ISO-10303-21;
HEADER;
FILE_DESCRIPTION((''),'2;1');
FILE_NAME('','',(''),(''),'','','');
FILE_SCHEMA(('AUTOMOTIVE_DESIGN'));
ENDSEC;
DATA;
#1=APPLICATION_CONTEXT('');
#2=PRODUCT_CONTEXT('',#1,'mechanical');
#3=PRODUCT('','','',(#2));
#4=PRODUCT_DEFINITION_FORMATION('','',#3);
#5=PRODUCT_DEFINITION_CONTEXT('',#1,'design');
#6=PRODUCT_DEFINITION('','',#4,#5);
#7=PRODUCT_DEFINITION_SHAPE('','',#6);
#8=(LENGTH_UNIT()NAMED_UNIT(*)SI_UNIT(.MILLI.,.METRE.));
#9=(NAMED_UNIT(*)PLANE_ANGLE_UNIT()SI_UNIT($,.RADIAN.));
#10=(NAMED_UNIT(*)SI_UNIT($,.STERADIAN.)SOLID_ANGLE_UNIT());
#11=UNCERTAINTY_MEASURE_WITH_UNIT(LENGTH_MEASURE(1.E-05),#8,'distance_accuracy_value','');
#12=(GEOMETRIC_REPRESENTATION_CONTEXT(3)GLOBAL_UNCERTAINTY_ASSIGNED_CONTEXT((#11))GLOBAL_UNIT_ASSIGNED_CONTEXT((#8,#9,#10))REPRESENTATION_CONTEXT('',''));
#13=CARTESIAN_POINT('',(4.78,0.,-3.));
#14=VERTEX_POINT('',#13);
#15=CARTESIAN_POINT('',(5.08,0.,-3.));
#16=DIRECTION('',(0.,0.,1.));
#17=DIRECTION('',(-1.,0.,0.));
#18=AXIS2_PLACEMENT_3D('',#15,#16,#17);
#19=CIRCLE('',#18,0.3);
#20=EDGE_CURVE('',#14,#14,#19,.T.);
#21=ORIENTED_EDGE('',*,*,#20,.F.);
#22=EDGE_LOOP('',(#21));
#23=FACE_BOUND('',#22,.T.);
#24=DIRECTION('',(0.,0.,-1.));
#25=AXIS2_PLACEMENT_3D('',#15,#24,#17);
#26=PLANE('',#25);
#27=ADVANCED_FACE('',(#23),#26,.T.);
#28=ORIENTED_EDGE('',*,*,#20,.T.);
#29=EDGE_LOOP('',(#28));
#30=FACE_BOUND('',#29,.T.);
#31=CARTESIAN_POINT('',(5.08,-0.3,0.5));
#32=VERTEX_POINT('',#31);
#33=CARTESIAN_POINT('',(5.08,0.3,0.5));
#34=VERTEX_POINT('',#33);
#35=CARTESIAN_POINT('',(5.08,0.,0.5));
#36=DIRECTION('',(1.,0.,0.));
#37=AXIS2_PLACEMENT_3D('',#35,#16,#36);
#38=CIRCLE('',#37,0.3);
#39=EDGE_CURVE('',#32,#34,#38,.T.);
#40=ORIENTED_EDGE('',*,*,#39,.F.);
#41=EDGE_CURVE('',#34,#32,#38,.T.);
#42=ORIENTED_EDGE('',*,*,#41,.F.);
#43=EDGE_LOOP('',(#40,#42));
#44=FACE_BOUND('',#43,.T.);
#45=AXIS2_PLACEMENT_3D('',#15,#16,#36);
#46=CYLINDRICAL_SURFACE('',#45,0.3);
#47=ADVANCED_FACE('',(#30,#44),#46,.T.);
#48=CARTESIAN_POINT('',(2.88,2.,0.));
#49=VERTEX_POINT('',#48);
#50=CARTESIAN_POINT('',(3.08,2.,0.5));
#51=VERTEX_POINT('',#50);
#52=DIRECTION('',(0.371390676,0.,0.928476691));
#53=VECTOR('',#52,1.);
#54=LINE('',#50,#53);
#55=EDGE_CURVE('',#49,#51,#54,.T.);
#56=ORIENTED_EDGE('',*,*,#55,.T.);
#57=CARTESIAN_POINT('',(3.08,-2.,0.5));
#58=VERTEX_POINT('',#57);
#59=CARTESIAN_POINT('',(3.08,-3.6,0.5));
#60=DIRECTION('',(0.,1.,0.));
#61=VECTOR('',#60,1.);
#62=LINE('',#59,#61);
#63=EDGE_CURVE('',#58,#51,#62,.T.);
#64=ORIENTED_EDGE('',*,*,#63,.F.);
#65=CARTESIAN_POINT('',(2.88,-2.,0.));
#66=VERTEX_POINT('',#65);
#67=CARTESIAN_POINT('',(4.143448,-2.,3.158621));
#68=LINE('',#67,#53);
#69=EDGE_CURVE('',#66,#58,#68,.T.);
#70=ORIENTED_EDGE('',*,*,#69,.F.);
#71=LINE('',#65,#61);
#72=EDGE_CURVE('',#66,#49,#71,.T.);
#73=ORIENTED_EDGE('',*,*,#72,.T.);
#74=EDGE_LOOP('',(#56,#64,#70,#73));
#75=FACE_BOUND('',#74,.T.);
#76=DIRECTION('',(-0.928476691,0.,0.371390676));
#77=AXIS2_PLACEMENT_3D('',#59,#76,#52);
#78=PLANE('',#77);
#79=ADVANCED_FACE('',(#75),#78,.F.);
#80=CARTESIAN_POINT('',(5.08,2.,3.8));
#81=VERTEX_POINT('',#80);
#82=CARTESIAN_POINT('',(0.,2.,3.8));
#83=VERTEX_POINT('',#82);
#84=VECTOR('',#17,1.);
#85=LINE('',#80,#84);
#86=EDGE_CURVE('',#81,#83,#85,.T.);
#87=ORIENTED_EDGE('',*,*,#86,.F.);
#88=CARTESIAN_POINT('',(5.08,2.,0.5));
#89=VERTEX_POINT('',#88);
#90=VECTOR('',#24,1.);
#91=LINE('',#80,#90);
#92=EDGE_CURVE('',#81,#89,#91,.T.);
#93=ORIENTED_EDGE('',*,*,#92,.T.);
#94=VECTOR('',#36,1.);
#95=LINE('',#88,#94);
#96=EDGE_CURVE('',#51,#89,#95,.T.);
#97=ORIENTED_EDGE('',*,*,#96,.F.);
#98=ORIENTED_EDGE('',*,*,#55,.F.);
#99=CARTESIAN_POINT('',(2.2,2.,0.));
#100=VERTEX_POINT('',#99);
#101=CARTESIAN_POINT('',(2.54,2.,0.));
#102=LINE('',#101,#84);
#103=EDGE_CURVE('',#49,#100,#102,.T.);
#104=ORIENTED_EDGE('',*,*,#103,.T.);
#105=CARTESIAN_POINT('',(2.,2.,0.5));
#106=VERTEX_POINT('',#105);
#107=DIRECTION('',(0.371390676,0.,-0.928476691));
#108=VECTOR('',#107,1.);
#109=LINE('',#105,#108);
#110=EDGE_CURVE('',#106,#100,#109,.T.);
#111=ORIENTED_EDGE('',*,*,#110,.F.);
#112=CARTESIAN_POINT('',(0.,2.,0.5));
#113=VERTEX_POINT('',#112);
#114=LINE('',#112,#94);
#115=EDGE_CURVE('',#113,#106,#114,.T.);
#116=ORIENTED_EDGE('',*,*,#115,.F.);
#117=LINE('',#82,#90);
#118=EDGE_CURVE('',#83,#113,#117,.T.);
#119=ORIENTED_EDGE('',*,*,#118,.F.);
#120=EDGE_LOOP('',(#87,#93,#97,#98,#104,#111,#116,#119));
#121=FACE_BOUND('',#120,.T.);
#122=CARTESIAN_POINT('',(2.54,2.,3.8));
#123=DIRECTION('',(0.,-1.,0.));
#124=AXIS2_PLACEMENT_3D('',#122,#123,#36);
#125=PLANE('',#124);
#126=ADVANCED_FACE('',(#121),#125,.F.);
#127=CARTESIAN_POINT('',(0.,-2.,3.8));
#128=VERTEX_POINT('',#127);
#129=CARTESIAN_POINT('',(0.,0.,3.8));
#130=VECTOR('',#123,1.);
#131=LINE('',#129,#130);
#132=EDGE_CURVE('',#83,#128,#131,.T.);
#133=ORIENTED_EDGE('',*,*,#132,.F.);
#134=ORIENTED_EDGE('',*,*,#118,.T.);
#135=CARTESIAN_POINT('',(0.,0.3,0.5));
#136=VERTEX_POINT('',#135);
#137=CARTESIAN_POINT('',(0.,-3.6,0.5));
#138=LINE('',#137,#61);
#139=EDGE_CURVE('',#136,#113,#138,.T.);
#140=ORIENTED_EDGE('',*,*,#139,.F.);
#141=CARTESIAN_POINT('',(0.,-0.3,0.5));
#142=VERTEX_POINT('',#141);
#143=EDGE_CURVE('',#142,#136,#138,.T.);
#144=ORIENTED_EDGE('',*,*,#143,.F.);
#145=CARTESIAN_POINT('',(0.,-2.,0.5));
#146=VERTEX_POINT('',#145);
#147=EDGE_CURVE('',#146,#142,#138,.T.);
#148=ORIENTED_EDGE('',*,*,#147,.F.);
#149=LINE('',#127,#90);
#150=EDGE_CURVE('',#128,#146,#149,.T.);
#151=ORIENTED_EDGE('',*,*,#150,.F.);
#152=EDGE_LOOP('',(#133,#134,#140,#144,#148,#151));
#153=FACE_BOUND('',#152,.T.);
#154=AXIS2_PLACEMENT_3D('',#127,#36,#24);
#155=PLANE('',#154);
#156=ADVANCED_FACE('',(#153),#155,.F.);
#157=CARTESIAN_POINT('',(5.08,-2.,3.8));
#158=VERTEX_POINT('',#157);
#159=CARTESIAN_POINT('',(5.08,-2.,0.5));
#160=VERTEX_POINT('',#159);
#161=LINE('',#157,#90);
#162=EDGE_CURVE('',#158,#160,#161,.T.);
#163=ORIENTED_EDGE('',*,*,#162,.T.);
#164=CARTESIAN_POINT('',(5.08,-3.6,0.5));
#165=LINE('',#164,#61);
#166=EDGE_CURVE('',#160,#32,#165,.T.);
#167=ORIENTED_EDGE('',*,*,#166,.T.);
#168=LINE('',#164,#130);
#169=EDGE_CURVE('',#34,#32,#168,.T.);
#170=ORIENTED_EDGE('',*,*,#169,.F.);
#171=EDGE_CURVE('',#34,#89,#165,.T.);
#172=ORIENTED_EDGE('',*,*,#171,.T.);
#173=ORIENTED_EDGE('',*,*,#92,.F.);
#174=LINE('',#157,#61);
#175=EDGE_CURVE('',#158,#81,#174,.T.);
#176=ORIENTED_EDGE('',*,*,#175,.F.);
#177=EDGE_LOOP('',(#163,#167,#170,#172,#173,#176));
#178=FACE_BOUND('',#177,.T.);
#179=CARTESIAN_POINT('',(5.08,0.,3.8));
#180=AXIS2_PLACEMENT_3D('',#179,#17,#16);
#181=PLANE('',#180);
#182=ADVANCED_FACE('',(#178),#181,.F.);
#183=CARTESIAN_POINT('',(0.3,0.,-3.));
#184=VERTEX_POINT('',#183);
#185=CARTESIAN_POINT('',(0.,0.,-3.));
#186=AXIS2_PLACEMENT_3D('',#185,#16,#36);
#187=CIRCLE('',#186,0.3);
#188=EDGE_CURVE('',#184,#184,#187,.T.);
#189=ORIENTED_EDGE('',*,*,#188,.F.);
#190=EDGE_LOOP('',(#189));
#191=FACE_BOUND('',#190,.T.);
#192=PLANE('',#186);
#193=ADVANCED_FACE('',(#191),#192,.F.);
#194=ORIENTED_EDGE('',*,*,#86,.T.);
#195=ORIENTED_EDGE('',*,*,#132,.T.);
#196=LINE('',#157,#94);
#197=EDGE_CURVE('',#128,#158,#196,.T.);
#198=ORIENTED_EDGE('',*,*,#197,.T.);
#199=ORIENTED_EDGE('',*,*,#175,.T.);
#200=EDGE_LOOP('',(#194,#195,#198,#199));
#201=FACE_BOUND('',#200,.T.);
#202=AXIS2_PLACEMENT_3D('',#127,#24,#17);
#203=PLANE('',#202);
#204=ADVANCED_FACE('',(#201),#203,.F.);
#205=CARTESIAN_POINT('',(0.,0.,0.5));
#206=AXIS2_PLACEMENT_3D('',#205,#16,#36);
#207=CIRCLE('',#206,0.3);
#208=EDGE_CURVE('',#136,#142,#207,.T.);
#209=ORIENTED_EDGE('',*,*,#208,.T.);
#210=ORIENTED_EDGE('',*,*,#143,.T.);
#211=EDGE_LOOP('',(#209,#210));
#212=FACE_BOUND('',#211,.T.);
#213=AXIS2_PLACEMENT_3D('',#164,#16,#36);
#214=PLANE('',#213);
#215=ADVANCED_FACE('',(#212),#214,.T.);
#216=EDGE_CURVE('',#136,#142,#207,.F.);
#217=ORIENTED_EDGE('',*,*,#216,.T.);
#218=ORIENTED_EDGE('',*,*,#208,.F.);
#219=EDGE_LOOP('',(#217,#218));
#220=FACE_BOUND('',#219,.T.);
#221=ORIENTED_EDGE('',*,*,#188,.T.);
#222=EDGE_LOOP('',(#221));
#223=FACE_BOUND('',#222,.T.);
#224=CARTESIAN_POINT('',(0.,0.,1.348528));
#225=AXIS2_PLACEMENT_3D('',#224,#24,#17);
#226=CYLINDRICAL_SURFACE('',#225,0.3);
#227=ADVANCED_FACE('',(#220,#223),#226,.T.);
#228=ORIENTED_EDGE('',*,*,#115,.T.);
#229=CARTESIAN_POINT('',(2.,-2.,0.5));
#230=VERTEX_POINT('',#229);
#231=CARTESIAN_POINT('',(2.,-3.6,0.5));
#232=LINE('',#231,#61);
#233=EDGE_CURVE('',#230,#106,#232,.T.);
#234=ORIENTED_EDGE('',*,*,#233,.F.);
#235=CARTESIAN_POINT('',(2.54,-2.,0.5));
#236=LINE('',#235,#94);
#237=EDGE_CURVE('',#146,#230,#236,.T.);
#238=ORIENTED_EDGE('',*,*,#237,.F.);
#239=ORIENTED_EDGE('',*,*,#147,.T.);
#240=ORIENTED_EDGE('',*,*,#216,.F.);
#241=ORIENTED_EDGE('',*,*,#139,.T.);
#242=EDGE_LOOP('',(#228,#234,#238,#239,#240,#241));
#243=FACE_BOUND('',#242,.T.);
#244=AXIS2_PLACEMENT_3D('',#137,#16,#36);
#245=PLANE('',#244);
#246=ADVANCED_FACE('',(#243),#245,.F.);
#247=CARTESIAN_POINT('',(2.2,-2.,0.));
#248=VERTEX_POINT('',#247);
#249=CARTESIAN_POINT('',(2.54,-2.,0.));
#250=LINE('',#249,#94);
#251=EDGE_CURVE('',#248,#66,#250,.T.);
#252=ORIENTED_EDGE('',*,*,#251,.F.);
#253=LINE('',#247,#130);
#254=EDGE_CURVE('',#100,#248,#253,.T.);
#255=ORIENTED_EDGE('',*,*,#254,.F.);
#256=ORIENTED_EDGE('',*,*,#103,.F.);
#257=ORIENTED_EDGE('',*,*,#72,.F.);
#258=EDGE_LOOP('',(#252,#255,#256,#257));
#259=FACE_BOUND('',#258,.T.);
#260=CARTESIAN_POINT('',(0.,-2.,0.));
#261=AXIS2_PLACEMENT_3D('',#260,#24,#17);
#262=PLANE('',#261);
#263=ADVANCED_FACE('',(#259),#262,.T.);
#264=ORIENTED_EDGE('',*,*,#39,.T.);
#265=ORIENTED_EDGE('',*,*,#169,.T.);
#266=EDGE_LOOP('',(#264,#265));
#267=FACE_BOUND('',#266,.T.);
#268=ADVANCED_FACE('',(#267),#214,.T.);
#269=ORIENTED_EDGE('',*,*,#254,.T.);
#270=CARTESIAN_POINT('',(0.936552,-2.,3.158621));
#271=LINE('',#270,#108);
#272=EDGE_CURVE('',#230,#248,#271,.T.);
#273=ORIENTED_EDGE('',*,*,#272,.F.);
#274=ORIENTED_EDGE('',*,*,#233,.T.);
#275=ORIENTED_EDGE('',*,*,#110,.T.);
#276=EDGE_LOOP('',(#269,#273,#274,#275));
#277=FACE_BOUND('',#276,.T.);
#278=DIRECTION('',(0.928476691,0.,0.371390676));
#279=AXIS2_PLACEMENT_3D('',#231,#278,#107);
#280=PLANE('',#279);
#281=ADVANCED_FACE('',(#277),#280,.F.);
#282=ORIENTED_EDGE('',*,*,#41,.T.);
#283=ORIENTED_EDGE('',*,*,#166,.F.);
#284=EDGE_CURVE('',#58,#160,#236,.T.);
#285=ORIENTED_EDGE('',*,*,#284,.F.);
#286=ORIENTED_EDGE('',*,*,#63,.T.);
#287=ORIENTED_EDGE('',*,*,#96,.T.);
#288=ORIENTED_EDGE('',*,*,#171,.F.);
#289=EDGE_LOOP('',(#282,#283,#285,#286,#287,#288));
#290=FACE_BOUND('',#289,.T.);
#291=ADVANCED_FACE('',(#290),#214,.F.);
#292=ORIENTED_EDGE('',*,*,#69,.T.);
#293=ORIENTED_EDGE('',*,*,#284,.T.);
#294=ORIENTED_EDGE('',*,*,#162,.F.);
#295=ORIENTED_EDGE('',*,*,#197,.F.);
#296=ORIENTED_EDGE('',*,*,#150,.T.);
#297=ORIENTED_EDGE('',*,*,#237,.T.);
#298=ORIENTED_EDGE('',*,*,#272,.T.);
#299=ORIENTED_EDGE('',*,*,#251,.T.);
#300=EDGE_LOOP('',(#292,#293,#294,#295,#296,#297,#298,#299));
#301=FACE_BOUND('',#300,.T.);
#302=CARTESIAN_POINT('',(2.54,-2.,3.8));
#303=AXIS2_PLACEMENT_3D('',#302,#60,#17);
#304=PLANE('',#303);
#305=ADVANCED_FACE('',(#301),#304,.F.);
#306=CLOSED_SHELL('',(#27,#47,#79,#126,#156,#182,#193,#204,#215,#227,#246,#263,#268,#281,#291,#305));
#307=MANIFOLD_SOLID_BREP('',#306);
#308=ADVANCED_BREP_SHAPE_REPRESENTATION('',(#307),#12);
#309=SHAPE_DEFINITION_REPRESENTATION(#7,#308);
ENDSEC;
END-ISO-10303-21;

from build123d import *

# Parameters (mm, degrees)
EXTRUDE_1_DEPTH     = 3.8
CUT_EXTRUDE_1_DEPTH = 5.6
SKETCH_4_R          = 0.3
EXTRUDE_2_DEPTH     = 3
EXTRUDE_2_2_DEPTH   = 3
SKETCH_4_2_R        = 0.3
EXTRUDE_3_DEPTH     = 0.5


with BuildPart() as part:
    # Эскиз2 → Вытянуть1 (new body)
    with BuildSketch(Plane.XY):
        Polygon((2.54, -2), (0, -2), (0, 0), (0, 2), (2.54, 2), (5.08, 2), (5.08, 0), (5.08, -2), align=None)
    extrude(amount=EXTRUDE_1_DEPTH)

    # Эскиз3 → Вырез-Вытянуть1 (cut)
    with BuildSketch(Plane(origin=(0, 2, 0), x_dir=(-1, 0, 0), z_dir=(0, 1, 0))):
        Polygon((0, 0), (0, 0.5), (-2, 0.5), (-2.2, 0), align=None)
        Polygon((-2.88, 0), (-5.08, 0), (-5.08, 0.5), (-3.08, 0.5), align=None)
    extrude(amount=-CUT_EXTRUDE_1_DEPTH, mode=Mode.SUBTRACT)



with BuildPart() as body_2:
    # Эскиз4 → Вытянуть2 (new body)
    with BuildSketch(Plane.XY):
        Circle(SKETCH_4_R)
    extrude(amount=-EXTRUDE_2_DEPTH)


with BuildPart() as body_3:
    # Эскиз4 → Extrude 2 2 (new body)
    with BuildSketch(Plane.XY):
        with Locations(Location((5.08, 0, 0), (0, 0, 180))):
            Circle(SKETCH_4_R)
    extrude(amount=-EXTRUDE_2_2_DEPTH)


with BuildPart() as part_1:
    add(part.part)

    add(body_2.part)  # Вытянуть3 merges body 2

    add(body_3.part)  # Вытянуть3 merges body 3
    # Эскиз4<2> → Вытянуть3 (add)
    with BuildSketch(Plane.XY):
        with Locations(Location((0, 0, 0), (0, 0, 90))):
            Circle(SKETCH_4_2_R)
        with Locations(Location((5.08, 0, 0), (0, 0, 90))):
            Circle(SKETCH_4_2_R)
    extrude(amount=EXTRUDE_3_DEPTH)


solid = part_1.part
